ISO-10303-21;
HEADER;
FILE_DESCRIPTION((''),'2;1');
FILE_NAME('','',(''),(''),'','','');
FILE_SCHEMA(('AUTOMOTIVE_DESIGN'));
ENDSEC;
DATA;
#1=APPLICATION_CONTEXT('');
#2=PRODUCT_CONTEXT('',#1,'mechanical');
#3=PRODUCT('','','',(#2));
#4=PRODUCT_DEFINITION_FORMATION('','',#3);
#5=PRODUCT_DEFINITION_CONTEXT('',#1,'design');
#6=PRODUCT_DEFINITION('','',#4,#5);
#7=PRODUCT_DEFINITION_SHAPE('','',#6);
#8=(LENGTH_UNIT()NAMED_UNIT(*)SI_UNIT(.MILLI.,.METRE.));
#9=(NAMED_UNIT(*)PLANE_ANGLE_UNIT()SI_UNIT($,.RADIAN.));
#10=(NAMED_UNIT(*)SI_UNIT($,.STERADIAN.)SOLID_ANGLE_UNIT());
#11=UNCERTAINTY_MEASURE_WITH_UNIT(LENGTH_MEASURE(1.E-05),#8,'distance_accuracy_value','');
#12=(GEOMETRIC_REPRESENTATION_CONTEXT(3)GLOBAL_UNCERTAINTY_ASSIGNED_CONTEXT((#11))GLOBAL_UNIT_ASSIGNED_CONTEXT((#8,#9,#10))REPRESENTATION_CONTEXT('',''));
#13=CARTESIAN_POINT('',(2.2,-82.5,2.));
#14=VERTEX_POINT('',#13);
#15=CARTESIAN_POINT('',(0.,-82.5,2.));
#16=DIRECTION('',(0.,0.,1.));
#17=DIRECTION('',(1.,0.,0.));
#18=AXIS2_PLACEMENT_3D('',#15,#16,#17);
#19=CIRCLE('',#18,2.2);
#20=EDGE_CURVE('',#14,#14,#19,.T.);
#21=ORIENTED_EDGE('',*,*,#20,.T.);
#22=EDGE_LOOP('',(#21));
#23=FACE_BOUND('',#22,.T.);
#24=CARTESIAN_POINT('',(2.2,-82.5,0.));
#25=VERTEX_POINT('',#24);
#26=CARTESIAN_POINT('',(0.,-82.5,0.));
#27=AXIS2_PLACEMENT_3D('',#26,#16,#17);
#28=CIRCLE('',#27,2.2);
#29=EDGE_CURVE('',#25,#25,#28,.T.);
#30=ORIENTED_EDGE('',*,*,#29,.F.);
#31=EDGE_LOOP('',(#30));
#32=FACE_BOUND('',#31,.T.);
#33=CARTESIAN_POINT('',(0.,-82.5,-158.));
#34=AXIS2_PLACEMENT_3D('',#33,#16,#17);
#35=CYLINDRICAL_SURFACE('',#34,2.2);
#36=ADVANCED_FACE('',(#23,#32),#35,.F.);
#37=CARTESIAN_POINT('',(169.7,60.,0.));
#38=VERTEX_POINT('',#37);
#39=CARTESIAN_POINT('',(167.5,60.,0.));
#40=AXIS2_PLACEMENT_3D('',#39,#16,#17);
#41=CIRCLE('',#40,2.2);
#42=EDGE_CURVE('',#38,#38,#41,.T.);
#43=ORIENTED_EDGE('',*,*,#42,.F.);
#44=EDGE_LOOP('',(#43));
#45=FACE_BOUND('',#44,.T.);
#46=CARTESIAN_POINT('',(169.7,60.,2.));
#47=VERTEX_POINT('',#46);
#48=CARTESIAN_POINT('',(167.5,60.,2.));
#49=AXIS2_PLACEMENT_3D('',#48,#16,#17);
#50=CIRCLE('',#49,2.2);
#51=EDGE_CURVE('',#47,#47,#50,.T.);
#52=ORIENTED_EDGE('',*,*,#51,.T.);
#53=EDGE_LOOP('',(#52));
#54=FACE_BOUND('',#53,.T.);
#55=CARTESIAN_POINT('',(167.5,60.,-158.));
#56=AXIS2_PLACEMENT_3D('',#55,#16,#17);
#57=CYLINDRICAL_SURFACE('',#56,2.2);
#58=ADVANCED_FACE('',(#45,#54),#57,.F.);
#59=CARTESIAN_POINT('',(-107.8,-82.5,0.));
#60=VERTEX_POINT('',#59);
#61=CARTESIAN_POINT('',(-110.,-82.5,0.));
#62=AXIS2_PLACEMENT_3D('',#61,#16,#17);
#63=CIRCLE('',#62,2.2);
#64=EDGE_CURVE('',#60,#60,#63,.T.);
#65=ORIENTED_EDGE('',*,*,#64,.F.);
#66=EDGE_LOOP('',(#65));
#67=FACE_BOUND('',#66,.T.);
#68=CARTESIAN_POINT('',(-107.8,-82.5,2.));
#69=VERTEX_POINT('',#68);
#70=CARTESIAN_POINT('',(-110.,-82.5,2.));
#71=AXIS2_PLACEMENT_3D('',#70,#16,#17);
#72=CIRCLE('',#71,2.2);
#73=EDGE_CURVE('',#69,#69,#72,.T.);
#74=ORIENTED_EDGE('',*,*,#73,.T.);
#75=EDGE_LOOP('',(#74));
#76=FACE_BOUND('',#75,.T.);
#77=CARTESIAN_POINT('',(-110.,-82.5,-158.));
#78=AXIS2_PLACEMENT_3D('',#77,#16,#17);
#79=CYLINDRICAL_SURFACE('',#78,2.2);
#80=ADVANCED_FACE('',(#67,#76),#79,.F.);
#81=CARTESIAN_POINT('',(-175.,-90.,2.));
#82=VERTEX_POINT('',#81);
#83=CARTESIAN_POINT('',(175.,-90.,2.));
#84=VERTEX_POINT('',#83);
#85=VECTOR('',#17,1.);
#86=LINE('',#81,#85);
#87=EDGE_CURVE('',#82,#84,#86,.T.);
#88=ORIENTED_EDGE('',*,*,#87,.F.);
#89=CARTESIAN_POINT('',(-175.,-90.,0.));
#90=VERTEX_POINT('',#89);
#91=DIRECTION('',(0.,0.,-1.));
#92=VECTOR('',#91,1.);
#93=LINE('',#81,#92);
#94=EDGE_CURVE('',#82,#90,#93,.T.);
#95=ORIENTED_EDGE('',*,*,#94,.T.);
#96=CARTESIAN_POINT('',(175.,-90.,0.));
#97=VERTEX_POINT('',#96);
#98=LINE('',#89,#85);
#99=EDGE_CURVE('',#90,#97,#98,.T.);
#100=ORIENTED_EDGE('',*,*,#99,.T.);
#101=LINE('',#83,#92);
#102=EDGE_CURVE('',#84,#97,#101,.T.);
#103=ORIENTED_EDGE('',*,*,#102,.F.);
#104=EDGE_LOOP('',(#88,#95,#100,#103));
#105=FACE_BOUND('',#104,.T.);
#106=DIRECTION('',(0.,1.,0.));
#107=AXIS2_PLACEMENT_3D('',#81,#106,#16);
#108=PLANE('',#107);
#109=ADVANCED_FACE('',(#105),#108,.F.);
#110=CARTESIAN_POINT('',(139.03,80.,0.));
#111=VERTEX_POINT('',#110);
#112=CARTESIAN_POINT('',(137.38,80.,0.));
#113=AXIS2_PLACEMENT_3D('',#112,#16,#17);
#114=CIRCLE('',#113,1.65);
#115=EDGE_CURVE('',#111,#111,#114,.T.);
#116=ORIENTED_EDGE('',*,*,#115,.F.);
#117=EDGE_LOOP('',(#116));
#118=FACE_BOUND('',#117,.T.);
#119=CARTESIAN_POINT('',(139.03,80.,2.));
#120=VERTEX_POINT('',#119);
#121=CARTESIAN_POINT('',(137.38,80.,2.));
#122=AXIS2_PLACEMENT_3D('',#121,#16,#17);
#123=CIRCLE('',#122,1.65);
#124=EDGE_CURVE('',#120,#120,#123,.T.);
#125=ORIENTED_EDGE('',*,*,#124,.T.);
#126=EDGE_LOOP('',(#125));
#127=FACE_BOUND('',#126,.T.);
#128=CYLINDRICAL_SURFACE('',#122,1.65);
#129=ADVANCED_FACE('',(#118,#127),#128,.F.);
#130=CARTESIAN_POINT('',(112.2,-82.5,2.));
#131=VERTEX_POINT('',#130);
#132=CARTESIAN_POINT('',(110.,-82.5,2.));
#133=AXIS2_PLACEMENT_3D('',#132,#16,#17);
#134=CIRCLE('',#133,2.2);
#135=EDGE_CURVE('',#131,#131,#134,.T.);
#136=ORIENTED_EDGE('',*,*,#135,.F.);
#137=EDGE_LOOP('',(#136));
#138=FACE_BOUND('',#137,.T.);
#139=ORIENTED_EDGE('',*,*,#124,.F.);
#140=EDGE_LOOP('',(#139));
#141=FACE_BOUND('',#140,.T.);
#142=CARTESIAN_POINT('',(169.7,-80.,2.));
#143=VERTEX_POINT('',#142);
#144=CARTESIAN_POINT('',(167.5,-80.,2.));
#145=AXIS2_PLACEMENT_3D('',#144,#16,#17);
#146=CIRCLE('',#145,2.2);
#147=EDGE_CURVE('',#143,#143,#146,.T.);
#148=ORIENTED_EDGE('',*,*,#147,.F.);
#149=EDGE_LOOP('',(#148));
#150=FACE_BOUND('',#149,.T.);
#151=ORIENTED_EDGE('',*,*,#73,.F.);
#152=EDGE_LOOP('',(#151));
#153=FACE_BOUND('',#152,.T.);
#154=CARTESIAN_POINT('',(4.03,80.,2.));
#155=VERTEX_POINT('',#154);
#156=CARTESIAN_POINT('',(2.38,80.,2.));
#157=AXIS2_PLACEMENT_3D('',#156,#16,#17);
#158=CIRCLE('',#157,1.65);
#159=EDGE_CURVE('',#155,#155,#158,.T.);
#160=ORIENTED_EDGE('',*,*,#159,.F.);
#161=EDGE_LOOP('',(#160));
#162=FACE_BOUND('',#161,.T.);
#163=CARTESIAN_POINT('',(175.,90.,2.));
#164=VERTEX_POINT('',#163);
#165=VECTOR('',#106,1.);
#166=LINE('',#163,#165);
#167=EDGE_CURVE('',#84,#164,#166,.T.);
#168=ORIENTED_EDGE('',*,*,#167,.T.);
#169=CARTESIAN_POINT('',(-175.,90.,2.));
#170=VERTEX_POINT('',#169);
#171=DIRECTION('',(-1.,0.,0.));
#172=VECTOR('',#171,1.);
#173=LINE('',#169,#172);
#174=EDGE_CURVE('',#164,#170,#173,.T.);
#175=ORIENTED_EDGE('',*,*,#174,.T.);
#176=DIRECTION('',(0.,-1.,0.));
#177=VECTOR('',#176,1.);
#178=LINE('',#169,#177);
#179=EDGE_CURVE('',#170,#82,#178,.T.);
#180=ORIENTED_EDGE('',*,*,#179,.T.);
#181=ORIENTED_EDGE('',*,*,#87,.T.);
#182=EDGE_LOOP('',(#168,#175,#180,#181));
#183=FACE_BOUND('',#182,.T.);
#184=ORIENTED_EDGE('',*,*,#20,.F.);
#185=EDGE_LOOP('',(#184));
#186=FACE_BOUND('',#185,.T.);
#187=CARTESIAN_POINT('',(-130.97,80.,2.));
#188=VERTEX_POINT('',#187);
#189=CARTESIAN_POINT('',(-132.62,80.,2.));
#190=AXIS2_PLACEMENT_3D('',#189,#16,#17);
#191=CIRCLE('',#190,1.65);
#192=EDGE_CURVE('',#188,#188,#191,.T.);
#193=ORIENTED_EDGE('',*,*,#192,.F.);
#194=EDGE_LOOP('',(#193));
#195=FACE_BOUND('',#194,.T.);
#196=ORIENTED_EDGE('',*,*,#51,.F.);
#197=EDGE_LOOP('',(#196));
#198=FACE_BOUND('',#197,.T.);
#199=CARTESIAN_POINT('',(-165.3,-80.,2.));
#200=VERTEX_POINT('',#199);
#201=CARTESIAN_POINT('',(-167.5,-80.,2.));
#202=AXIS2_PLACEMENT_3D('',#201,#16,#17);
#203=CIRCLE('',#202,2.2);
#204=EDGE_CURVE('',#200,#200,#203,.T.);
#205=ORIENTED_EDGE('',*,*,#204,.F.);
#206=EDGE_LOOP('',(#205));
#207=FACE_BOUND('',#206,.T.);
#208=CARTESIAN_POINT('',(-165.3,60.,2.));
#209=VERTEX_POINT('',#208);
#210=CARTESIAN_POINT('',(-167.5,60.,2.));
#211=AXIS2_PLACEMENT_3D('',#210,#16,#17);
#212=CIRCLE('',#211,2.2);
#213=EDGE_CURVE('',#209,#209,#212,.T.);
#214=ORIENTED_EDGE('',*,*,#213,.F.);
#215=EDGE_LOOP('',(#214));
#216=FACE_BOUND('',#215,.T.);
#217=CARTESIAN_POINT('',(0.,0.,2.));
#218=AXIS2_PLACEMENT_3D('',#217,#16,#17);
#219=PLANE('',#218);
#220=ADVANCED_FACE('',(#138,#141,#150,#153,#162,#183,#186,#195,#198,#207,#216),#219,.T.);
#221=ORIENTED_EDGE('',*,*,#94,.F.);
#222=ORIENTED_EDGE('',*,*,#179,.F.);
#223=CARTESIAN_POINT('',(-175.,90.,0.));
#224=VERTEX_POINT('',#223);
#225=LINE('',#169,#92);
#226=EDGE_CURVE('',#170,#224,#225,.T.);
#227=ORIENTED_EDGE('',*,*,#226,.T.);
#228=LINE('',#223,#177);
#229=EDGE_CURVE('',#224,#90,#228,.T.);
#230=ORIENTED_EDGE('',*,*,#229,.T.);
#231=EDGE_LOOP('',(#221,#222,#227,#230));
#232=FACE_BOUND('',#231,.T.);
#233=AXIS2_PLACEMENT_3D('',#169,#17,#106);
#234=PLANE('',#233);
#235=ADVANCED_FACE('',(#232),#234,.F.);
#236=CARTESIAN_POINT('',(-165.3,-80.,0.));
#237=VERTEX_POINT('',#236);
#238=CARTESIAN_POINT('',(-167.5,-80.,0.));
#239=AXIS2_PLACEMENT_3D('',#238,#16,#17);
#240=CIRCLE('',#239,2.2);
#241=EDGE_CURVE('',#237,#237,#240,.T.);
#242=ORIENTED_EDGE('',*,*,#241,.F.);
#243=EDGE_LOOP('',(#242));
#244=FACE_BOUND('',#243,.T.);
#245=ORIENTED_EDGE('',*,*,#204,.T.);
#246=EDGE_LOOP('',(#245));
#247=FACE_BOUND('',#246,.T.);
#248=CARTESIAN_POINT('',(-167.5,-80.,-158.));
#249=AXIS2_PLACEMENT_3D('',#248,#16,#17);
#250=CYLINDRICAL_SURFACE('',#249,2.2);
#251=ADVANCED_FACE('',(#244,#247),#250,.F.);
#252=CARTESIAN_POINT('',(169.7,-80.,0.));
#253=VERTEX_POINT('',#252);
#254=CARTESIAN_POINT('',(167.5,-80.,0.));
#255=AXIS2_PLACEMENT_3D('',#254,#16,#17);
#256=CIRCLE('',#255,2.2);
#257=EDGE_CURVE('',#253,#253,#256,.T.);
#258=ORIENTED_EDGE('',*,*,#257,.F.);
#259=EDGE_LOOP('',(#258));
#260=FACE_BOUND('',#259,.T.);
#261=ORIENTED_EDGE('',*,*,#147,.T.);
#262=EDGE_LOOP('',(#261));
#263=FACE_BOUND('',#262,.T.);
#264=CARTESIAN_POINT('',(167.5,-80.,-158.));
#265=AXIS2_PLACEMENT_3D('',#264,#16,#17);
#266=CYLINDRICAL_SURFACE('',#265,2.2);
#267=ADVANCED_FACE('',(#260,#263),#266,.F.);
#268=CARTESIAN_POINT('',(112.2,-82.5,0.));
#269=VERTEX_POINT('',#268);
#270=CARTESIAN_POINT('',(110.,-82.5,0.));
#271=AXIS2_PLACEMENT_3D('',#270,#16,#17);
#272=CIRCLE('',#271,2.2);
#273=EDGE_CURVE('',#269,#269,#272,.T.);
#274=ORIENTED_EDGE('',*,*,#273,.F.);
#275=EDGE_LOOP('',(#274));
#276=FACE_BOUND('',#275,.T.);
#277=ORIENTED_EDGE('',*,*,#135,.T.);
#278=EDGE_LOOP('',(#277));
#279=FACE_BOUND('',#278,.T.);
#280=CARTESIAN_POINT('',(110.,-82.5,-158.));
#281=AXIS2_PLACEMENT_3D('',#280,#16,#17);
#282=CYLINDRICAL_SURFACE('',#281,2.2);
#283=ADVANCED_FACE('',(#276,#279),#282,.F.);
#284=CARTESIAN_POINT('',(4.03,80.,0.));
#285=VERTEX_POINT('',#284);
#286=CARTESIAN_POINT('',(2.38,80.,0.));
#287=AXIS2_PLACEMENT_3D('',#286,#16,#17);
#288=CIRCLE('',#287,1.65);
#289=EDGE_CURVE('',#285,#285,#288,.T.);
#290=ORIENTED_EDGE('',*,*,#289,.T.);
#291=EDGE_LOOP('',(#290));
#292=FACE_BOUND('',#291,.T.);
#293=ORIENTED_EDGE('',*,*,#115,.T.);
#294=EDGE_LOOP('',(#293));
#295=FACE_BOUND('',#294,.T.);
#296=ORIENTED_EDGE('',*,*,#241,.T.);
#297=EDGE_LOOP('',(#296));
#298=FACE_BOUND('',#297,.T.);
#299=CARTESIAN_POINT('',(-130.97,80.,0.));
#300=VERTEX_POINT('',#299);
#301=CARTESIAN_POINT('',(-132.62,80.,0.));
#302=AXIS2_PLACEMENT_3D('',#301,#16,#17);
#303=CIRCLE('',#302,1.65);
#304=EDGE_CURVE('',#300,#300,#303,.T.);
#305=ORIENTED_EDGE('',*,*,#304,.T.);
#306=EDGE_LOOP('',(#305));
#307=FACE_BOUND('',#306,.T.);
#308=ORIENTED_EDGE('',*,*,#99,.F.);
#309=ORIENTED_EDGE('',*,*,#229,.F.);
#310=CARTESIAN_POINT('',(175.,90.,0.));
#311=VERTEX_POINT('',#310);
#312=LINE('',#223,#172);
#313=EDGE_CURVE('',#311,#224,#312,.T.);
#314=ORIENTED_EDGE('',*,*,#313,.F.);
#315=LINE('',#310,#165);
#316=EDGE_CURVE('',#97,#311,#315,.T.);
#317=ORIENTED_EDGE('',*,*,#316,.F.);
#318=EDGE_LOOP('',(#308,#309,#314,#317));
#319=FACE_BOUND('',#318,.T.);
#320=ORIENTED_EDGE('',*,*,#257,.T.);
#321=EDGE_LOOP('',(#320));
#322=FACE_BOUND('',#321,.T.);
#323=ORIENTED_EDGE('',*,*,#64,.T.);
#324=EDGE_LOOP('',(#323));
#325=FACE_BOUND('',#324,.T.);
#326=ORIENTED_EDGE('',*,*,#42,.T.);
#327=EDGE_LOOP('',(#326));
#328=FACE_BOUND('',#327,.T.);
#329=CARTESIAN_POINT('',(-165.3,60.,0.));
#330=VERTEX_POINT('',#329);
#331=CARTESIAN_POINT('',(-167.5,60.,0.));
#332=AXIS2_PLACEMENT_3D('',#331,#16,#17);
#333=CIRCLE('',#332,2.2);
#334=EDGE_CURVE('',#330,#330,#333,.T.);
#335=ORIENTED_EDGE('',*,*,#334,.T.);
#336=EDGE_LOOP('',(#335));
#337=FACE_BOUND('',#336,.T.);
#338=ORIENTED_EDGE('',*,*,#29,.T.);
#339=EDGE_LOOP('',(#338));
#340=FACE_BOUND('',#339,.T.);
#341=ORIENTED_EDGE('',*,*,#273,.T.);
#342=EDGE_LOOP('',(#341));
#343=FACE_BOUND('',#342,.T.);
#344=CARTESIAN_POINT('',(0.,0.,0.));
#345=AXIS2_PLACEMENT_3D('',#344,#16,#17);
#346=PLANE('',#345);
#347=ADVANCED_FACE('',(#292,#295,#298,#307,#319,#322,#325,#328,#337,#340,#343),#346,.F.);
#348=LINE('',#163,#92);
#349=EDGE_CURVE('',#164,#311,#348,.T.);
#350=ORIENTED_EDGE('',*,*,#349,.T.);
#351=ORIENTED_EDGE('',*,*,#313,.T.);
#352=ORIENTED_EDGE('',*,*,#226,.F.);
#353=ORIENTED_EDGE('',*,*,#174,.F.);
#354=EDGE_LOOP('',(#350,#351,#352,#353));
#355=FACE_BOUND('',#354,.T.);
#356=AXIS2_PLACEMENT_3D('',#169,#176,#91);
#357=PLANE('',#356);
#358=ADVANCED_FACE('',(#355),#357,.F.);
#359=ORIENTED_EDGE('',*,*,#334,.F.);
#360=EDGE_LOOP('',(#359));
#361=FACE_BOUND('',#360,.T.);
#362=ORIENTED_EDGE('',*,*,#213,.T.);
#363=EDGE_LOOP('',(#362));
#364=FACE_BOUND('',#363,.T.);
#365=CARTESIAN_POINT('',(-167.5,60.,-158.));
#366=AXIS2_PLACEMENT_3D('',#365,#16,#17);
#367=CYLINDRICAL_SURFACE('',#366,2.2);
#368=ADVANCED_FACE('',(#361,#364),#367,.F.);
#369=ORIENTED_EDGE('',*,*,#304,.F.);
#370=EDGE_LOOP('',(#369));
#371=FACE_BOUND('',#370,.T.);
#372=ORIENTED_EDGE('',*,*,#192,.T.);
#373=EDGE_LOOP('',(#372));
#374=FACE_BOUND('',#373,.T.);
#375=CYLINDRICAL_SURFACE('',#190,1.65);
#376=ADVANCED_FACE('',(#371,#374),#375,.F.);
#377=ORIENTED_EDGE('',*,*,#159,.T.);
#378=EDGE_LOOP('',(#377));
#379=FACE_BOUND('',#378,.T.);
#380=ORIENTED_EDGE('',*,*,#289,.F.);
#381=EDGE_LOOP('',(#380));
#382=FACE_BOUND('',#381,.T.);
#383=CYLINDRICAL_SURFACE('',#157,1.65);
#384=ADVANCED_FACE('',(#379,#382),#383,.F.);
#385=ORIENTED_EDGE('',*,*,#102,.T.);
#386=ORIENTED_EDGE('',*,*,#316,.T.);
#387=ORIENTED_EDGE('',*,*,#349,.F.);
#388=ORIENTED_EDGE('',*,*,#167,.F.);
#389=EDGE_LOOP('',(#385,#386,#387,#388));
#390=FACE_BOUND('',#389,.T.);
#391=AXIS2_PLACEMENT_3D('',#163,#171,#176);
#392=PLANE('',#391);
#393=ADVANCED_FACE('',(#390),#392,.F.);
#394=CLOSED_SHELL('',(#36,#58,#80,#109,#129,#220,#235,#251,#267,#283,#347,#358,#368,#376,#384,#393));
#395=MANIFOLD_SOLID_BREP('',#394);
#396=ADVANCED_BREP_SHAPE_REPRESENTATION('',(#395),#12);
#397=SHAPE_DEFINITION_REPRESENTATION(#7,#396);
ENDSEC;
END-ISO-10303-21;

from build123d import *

# Parameters (mm, degrees)
SKETCH_1_W          = 350
SKETCH_1_H          = 180
EXTRUDE_1_DEPTH     = 2
CUT_EXTRUDE_1_DEPTH = 2
SKETCH_3_R          = 2.2
CUT_EXTRUDE_2_DEPTH = 160
SKETCH_4_R          = 2.2
CUT_EXTRUDE_3_DEPTH = 160
SKETCH_5_R          = 1
CUT_EXTRUDE_4_DEPTH = 10
M4X0_7_1_D          = 3.3


with BuildPart() as part:
    # ｽｹｯﾁ1 → ﾎﾞｽ - 押し出し1 (new body)
    with BuildSketch(Plane.XY):
        Rectangle(SKETCH_1_W, SKETCH_1_H)
    extrude(amount=EXTRUDE_1_DEPTH)

    # ｽｹｯﾁ2 → ｶｯﾄ - 押し出し1 (cut)
    with BuildSketch(Plane.XY.offset(2)):
        with BuildLine():
            ThreePointArc((-131.62, 80), (-131.912893219, 80.707106781), (-132.62, 81))
            Line((-132.62, 81), (-132.62, 80))
            Line((-132.62, 80), (-133.62, 80))
            ThreePointArc((-133.62, 80), (-132.62, 79), (-131.62, 80))
        make_face()
        with BuildLine():
            Line((-132.62, 80), (-132.62, 81))
            ThreePointArc((-132.62, 81), (-133.327106781, 80.707106781), (-133.62, 80))
            Line((-133.62, 80), (-132.62, 80))
        make_face()
        with BuildLine():
            ThreePointArc((138.38, 80), (138.087106781, 80.707106781), (137.38, 81))
            Line((137.38, 81), (137.38, 80))
            Line((137.38, 80), (138.38, 80))
        make_face()
        with BuildLine():
            Line((137.38, 80), (137.38, 81))
            ThreePointArc((137.38, 81), (136.672893219, 79.292893219), (138.38, 80))
            Line((138.38, 80), (137.38, 80))
        make_face()
    extrude(amount=-CUT_EXTRUDE_1_DEPTH, mode=Mode.SUBTRACT)

    # ｽｹｯﾁ3 → ｶｯﾄ - 押し出し2 (cut)
    with BuildSketch(Plane.XY.offset(2)):
        with Locations((-167.5, 60)):
            Circle(SKETCH_3_R)
        with Locations((-167.5, -80)):
            Circle(SKETCH_3_R)
        with Locations((167.5, 60)):
            Circle(SKETCH_3_R)
        with Locations((167.5, -80)):
            Circle(SKETCH_3_R)
    extrude(amount=-CUT_EXTRUDE_2_DEPTH, mode=Mode.SUBTRACT)

    # ｽｹｯﾁ4 → ｶｯﾄ - 押し出し3 (cut)
    with BuildSketch(Plane.XY.offset(2)):
        with Locations((-110, -82.5)):
            Circle(SKETCH_4_R)
        with Locations((0, -82.5)):
            Circle(SKETCH_4_R)
        with Locations((110, -82.5)):
            Circle(SKETCH_4_R)
    extrude(amount=-CUT_EXTRUDE_3_DEPTH, mode=Mode.SUBTRACT)

    # ｽｹｯﾁ5 → ｶｯﾄ - 押し出し4 (cut)
    with BuildSketch(Plane.XY.offset(2)):
        with Locations((2.38, 80)):
            Circle(SKETCH_5_R)
    extrude(amount=-CUT_EXTRUDE_4_DEPTH, mode=Mode.SUBTRACT)

    # M4x0.7 ねじ穴1 (through all)
    with Locations(Plane(origin=(-132.62, 80, 2), x_dir=(1, 0, 0), z_dir=(0, 0, 1))):
        with Locations((0, 0), (135, 0), (270, 0)):
            Hole(M4X0_7_1_D / 2)


solid = part.part
